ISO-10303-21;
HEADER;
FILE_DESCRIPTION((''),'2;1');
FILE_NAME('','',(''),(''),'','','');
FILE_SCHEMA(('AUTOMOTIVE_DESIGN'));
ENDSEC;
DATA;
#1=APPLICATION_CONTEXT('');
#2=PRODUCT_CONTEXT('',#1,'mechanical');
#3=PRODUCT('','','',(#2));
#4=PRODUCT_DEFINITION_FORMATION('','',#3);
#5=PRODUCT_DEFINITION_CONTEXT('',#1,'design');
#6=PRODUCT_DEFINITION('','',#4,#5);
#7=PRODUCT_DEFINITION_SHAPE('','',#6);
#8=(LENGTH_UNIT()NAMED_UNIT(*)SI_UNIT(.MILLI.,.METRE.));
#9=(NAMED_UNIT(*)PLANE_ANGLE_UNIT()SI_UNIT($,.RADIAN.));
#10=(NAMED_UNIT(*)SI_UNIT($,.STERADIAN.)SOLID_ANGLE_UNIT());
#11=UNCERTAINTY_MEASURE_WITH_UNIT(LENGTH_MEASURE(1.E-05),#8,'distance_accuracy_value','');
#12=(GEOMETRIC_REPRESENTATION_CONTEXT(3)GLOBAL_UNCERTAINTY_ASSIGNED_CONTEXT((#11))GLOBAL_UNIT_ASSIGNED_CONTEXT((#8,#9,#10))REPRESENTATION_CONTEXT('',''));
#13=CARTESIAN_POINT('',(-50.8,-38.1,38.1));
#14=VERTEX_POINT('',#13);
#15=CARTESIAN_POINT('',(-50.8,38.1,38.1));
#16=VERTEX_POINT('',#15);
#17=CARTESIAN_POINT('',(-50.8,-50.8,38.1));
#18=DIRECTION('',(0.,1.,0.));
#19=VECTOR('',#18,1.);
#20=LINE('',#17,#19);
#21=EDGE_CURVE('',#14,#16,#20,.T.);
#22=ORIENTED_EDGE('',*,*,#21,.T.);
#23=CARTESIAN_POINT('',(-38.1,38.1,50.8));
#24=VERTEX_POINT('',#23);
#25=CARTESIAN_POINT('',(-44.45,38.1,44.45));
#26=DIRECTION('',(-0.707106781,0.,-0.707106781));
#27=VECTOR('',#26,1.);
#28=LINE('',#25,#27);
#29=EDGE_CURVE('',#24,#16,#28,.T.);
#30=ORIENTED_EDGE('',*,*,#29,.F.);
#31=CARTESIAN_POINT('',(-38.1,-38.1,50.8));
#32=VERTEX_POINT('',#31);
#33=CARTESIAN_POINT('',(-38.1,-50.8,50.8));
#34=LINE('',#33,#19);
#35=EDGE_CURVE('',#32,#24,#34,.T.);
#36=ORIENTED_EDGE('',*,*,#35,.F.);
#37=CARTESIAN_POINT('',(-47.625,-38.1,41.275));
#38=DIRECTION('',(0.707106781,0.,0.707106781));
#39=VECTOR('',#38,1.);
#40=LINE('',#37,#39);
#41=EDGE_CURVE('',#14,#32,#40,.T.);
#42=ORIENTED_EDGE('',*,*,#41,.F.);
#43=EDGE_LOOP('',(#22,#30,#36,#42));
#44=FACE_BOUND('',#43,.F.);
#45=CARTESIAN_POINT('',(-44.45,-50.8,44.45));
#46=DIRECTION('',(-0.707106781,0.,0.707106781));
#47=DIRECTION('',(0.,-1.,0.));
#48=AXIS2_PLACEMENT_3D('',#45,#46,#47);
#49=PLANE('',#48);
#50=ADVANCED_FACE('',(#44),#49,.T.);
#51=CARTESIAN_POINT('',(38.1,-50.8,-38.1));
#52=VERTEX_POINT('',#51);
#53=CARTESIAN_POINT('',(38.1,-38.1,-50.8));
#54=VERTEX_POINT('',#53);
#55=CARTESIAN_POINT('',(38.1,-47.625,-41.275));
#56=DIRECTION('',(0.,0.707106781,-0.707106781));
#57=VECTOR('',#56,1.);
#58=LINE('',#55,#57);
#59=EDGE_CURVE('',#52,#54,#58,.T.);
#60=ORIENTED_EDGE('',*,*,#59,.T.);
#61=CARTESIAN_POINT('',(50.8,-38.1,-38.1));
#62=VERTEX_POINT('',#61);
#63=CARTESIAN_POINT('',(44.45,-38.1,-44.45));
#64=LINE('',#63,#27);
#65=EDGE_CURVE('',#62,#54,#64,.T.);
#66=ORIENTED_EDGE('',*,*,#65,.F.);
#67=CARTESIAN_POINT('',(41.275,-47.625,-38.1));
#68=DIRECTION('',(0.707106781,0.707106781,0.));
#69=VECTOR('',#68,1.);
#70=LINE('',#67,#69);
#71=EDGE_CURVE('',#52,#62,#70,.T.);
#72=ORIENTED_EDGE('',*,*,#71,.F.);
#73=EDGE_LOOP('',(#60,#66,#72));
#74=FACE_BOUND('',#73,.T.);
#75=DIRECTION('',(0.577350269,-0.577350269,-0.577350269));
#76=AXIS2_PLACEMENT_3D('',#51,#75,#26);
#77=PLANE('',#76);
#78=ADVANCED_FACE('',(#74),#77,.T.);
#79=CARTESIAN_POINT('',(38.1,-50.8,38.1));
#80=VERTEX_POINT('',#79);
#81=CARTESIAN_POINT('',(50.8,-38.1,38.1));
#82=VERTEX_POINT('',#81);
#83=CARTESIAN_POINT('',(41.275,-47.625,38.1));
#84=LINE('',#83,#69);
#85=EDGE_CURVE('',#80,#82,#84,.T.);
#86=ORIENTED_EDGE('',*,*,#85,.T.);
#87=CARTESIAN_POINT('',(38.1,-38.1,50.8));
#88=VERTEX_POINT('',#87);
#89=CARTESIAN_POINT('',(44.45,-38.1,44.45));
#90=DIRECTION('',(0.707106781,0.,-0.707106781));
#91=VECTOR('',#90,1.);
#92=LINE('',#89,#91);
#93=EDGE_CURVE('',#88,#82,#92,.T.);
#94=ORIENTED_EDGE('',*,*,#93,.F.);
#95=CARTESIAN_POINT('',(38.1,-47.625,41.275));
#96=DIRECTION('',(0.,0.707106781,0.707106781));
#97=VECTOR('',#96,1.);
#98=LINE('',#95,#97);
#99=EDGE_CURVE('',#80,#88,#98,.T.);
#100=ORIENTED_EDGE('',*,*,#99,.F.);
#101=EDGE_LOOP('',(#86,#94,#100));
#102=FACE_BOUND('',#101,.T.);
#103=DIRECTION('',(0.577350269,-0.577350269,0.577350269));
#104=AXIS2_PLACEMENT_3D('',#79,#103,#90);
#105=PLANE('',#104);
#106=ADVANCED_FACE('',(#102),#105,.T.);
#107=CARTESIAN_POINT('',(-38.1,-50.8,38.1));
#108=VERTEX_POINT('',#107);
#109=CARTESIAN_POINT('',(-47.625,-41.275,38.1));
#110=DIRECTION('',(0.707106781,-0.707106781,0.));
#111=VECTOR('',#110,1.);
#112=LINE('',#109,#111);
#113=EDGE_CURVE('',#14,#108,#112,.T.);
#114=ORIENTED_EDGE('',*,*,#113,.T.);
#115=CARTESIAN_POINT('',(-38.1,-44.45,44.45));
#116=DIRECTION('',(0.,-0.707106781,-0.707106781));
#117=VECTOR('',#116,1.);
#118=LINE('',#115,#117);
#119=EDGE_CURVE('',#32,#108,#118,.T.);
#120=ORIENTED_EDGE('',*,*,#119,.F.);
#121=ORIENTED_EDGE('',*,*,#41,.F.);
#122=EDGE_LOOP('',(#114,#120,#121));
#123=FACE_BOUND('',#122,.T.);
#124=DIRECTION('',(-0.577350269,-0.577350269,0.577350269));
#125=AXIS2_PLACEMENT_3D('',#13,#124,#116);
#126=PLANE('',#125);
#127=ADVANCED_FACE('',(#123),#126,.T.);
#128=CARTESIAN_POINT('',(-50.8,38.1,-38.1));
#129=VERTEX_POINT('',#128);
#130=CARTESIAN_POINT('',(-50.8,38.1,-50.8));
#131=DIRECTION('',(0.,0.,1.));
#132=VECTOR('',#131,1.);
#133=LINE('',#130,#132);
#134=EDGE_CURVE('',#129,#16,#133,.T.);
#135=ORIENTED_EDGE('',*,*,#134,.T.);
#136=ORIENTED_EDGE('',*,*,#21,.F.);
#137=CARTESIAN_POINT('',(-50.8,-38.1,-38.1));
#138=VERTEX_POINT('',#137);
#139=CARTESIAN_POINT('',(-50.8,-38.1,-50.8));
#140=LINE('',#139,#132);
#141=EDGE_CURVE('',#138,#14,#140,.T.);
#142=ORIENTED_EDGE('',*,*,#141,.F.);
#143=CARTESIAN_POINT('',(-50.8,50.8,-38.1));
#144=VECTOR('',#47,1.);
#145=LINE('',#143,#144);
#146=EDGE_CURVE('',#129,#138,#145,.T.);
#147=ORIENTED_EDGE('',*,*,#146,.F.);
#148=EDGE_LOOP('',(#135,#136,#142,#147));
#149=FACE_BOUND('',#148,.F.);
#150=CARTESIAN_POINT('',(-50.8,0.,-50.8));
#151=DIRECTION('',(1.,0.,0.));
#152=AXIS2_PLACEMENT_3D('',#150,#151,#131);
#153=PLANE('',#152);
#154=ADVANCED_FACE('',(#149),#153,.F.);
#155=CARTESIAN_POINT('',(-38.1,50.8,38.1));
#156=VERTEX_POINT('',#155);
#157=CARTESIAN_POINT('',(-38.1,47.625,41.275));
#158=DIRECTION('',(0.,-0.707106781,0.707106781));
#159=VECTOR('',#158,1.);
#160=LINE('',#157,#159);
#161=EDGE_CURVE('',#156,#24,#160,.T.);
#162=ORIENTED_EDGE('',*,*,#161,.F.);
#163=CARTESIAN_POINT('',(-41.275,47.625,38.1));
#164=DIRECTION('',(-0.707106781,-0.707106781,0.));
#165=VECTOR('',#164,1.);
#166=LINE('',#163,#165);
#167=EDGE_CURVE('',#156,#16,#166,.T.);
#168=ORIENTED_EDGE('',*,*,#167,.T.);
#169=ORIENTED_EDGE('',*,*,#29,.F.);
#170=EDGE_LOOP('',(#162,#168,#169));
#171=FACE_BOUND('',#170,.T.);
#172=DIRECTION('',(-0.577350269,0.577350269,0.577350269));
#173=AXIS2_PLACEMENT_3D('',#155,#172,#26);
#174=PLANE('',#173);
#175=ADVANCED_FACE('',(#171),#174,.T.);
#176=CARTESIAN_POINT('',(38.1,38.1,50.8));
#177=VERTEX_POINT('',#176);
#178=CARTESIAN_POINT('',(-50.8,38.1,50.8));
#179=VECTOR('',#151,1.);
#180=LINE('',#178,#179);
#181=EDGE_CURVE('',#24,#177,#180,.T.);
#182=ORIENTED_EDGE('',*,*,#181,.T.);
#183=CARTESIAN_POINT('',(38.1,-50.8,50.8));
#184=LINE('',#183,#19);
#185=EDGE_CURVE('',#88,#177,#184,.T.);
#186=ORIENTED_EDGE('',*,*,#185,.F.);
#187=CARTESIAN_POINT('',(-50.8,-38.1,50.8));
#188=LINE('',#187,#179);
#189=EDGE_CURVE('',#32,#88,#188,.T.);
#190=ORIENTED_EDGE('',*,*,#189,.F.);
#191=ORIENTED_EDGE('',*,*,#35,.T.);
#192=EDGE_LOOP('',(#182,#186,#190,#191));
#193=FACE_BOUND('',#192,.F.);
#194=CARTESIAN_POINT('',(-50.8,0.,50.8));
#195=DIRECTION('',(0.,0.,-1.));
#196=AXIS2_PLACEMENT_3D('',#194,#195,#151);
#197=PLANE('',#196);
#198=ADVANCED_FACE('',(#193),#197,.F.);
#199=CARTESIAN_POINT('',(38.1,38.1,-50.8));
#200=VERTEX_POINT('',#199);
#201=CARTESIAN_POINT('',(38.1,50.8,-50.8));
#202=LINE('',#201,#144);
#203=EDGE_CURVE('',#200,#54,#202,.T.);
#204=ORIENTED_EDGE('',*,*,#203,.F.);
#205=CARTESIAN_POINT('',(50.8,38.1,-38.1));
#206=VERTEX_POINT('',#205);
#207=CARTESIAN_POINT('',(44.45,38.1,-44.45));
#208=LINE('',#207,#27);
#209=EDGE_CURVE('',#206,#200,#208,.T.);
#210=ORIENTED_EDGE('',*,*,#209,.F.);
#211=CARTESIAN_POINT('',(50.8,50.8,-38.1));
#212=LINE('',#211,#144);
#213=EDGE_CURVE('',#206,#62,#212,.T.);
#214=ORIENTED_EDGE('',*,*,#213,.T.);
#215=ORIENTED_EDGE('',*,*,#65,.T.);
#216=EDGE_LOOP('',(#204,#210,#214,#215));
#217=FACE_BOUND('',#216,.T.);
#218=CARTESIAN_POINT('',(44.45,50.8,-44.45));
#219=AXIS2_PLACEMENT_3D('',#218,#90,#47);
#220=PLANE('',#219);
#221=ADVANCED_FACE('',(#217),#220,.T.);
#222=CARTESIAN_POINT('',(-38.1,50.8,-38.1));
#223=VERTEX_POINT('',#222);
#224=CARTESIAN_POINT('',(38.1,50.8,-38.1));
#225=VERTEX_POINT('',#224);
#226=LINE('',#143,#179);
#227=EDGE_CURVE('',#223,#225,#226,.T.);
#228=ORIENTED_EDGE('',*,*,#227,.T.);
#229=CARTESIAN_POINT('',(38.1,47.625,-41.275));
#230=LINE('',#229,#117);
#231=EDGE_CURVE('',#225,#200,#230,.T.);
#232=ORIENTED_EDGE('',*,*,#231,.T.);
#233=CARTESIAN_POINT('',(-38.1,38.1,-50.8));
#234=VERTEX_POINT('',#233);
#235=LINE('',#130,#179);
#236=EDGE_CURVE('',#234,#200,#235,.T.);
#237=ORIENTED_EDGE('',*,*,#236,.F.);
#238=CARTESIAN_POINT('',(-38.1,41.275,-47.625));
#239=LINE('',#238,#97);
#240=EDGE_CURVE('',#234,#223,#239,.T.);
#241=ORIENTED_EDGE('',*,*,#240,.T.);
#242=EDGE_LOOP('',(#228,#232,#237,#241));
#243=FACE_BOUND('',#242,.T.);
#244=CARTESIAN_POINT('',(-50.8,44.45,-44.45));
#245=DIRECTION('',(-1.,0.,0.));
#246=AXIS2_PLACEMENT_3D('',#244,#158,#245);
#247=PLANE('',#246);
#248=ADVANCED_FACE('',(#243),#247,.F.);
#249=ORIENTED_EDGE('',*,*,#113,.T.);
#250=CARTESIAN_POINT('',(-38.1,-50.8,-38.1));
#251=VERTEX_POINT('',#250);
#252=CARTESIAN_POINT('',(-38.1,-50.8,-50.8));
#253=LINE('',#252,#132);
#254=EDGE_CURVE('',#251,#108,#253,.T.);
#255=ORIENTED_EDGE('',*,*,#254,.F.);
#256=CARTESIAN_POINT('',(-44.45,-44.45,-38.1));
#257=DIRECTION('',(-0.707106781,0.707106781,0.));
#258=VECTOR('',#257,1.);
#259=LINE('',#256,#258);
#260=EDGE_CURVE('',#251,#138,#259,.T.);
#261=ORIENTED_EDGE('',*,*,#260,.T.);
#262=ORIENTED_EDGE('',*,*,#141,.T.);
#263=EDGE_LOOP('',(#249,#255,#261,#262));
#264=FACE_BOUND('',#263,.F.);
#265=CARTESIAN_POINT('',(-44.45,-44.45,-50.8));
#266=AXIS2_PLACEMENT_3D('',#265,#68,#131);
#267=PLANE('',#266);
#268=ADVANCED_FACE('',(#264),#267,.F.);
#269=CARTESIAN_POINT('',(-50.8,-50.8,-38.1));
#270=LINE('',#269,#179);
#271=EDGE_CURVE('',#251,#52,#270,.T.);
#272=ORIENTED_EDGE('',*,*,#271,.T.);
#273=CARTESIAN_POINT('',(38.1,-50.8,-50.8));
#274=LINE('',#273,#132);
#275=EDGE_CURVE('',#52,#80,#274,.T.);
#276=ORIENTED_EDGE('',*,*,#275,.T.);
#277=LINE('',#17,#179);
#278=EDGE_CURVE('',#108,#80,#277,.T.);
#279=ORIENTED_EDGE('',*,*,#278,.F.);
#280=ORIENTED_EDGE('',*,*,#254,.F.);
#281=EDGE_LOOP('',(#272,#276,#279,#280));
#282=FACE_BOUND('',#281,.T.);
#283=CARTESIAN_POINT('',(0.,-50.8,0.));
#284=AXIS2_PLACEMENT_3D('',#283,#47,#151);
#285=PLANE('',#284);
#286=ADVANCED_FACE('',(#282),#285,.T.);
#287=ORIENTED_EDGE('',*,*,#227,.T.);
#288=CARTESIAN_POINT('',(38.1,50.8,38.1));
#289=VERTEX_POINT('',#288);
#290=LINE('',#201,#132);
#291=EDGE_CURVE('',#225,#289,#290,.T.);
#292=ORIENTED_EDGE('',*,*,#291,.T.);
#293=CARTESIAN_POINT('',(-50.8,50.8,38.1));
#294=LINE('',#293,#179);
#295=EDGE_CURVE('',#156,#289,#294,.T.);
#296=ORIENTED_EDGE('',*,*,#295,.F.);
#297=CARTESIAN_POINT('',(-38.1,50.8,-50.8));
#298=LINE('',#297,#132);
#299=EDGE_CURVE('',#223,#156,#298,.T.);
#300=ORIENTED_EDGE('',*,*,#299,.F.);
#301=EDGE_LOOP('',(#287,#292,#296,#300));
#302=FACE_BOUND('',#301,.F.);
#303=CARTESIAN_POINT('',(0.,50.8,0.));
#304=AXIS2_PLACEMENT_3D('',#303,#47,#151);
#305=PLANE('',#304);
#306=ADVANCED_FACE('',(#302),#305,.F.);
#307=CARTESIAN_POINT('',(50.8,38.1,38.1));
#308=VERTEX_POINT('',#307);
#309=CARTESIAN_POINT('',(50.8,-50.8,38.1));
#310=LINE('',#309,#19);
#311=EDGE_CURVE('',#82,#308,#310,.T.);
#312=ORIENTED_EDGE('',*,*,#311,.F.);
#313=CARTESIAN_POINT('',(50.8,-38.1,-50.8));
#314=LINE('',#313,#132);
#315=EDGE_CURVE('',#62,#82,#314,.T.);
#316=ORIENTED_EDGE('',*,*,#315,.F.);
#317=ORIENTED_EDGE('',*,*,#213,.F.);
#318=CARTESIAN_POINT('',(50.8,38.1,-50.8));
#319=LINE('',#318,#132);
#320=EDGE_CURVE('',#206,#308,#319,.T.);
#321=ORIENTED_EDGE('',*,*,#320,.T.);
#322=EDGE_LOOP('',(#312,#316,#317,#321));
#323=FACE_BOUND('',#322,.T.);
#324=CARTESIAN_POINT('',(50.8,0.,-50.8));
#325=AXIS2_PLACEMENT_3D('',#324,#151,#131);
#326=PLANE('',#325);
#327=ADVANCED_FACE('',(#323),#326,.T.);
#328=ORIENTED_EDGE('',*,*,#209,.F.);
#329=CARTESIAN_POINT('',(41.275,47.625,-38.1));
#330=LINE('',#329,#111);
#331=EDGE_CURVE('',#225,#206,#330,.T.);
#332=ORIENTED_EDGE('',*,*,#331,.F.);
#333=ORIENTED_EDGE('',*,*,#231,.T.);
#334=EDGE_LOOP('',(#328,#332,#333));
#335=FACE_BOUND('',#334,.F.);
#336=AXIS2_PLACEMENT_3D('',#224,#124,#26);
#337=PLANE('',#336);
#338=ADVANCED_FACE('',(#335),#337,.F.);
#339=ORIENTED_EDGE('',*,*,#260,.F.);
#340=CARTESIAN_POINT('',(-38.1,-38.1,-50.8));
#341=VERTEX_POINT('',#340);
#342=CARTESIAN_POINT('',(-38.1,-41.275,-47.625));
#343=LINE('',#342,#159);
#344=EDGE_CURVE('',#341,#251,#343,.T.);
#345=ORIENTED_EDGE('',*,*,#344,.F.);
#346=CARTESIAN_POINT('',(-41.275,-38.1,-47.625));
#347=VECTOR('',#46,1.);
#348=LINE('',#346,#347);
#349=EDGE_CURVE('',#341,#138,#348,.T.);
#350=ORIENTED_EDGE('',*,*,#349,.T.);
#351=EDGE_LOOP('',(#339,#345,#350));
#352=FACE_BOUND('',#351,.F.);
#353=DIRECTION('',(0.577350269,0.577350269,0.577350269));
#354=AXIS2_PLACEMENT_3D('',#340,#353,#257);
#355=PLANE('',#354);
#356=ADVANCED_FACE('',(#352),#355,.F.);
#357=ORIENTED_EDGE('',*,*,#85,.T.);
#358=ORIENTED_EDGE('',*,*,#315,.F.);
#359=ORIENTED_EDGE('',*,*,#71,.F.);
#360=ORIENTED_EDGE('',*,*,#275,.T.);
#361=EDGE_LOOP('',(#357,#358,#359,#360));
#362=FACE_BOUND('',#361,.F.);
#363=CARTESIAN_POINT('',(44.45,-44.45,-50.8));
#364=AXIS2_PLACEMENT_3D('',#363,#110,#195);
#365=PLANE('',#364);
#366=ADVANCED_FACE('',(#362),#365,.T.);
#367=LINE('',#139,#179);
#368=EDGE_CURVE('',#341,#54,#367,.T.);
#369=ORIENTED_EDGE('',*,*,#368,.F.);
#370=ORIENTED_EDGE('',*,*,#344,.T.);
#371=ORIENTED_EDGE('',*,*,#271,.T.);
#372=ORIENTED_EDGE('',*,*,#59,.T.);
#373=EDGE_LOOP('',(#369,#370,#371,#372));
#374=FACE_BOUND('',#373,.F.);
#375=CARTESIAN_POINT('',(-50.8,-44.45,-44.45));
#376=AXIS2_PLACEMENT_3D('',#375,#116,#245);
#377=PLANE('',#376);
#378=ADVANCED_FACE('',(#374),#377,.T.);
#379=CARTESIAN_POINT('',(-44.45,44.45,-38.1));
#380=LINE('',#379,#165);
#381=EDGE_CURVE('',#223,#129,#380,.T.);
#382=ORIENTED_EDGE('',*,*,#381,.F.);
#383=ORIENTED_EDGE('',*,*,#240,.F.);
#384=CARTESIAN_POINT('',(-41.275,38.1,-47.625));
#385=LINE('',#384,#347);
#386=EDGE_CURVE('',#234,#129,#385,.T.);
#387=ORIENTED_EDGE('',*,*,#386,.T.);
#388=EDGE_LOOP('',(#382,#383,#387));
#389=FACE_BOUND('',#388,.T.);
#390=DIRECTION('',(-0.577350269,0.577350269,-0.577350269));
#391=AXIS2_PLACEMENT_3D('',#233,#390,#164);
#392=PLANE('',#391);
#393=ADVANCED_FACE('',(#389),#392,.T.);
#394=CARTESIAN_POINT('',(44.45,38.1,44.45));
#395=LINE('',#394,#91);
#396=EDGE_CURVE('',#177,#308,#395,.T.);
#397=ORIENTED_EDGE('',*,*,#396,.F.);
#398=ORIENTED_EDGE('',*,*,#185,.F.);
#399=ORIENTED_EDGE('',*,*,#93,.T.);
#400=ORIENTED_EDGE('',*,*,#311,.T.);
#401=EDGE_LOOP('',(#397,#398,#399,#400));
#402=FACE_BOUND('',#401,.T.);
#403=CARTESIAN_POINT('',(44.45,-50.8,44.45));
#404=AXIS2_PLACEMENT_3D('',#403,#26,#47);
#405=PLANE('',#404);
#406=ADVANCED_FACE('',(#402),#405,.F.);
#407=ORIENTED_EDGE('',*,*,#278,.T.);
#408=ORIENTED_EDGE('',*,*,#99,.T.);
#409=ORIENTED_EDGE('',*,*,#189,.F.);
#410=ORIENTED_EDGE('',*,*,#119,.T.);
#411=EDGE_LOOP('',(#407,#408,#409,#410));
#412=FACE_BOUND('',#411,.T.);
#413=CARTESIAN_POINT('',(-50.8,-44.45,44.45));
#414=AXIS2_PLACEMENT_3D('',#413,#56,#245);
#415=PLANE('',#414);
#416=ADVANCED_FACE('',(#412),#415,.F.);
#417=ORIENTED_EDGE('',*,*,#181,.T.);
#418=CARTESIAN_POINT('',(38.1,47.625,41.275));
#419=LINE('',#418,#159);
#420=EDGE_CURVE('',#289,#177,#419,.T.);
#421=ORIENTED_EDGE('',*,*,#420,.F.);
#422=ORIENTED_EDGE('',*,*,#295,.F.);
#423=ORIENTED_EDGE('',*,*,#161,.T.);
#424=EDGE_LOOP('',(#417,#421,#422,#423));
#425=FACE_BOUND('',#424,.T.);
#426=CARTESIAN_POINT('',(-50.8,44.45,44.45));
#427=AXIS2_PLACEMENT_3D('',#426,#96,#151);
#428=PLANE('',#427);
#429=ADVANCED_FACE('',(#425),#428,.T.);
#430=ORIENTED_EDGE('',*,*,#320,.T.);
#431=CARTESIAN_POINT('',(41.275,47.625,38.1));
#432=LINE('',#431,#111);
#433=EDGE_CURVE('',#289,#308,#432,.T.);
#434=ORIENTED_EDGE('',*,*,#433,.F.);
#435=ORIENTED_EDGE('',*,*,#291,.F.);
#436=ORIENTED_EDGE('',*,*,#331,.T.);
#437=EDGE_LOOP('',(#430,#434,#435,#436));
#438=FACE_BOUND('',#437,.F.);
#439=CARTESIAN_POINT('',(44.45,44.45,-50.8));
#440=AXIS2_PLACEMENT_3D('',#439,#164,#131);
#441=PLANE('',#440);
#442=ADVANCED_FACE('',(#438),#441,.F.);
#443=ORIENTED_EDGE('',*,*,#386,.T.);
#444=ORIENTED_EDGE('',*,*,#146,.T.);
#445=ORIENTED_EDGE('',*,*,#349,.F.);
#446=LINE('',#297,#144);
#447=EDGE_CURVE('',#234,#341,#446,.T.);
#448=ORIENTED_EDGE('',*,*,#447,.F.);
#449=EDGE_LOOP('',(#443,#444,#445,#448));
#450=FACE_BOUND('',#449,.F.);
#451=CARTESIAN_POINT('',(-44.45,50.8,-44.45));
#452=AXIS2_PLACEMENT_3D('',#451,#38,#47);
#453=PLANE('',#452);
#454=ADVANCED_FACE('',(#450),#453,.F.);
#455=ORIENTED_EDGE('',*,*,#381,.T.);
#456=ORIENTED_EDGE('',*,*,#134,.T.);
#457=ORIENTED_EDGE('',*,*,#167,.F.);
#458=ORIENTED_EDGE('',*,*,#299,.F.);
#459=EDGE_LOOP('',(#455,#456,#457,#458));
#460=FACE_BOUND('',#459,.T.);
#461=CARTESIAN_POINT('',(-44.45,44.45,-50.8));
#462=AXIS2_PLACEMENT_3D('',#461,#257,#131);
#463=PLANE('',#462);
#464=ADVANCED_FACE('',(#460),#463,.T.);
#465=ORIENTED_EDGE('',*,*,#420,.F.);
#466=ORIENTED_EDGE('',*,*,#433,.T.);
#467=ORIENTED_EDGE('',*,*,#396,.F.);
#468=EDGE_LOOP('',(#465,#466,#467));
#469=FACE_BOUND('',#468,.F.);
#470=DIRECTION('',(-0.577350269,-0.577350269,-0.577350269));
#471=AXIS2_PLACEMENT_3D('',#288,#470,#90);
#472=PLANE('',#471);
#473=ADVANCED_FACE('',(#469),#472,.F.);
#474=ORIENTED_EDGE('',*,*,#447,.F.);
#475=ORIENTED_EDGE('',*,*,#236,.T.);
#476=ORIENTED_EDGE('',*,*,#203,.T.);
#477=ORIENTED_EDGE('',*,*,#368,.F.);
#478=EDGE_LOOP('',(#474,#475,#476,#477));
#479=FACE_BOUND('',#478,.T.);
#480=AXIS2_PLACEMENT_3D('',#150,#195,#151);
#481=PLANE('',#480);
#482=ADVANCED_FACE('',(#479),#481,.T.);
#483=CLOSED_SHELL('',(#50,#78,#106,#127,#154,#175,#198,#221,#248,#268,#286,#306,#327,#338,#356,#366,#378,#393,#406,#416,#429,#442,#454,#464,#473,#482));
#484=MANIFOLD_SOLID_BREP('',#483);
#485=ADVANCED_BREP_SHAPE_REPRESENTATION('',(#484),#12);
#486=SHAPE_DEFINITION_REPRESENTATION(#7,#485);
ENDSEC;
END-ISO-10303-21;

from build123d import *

# Parameters (mm, degrees)
F0_W     = 101.6
F0_H     = 101.6
F1_DEPTH = 50.8
F2_SIZE  = 12.7


with BuildPart() as f1:
    # F0 (on Front) → F1 (new body, symmetric)
    with BuildSketch(Plane.XZ):
        Rectangle(F0_W, F0_H)
    extrude(amount=F1_DEPTH, both=True)

    # F2
    f2_edges = [f1.edges().sort_by_distance(p)[0] for p in [
        (50.8, 0, 50.8),
        (0, -50.8, 50.8),
        (-50.8, 0, 50.8),
        (0, 50.8, 50.8),
        (50.8, 0, -50.8),
        (50.8, -50.8, 0),
        (50.8, 50.8, 0),
        (-50.8, -50.8, 0),
        (0, -50.8, -50.8),
        (-50.8, 50.8, 0),
        (0, 50.8, -50.8),
        (-50.8, 0, -50.8),
    ]]
    chamfer(f2_edges, length=F2_SIZE)


solid = f1.part
